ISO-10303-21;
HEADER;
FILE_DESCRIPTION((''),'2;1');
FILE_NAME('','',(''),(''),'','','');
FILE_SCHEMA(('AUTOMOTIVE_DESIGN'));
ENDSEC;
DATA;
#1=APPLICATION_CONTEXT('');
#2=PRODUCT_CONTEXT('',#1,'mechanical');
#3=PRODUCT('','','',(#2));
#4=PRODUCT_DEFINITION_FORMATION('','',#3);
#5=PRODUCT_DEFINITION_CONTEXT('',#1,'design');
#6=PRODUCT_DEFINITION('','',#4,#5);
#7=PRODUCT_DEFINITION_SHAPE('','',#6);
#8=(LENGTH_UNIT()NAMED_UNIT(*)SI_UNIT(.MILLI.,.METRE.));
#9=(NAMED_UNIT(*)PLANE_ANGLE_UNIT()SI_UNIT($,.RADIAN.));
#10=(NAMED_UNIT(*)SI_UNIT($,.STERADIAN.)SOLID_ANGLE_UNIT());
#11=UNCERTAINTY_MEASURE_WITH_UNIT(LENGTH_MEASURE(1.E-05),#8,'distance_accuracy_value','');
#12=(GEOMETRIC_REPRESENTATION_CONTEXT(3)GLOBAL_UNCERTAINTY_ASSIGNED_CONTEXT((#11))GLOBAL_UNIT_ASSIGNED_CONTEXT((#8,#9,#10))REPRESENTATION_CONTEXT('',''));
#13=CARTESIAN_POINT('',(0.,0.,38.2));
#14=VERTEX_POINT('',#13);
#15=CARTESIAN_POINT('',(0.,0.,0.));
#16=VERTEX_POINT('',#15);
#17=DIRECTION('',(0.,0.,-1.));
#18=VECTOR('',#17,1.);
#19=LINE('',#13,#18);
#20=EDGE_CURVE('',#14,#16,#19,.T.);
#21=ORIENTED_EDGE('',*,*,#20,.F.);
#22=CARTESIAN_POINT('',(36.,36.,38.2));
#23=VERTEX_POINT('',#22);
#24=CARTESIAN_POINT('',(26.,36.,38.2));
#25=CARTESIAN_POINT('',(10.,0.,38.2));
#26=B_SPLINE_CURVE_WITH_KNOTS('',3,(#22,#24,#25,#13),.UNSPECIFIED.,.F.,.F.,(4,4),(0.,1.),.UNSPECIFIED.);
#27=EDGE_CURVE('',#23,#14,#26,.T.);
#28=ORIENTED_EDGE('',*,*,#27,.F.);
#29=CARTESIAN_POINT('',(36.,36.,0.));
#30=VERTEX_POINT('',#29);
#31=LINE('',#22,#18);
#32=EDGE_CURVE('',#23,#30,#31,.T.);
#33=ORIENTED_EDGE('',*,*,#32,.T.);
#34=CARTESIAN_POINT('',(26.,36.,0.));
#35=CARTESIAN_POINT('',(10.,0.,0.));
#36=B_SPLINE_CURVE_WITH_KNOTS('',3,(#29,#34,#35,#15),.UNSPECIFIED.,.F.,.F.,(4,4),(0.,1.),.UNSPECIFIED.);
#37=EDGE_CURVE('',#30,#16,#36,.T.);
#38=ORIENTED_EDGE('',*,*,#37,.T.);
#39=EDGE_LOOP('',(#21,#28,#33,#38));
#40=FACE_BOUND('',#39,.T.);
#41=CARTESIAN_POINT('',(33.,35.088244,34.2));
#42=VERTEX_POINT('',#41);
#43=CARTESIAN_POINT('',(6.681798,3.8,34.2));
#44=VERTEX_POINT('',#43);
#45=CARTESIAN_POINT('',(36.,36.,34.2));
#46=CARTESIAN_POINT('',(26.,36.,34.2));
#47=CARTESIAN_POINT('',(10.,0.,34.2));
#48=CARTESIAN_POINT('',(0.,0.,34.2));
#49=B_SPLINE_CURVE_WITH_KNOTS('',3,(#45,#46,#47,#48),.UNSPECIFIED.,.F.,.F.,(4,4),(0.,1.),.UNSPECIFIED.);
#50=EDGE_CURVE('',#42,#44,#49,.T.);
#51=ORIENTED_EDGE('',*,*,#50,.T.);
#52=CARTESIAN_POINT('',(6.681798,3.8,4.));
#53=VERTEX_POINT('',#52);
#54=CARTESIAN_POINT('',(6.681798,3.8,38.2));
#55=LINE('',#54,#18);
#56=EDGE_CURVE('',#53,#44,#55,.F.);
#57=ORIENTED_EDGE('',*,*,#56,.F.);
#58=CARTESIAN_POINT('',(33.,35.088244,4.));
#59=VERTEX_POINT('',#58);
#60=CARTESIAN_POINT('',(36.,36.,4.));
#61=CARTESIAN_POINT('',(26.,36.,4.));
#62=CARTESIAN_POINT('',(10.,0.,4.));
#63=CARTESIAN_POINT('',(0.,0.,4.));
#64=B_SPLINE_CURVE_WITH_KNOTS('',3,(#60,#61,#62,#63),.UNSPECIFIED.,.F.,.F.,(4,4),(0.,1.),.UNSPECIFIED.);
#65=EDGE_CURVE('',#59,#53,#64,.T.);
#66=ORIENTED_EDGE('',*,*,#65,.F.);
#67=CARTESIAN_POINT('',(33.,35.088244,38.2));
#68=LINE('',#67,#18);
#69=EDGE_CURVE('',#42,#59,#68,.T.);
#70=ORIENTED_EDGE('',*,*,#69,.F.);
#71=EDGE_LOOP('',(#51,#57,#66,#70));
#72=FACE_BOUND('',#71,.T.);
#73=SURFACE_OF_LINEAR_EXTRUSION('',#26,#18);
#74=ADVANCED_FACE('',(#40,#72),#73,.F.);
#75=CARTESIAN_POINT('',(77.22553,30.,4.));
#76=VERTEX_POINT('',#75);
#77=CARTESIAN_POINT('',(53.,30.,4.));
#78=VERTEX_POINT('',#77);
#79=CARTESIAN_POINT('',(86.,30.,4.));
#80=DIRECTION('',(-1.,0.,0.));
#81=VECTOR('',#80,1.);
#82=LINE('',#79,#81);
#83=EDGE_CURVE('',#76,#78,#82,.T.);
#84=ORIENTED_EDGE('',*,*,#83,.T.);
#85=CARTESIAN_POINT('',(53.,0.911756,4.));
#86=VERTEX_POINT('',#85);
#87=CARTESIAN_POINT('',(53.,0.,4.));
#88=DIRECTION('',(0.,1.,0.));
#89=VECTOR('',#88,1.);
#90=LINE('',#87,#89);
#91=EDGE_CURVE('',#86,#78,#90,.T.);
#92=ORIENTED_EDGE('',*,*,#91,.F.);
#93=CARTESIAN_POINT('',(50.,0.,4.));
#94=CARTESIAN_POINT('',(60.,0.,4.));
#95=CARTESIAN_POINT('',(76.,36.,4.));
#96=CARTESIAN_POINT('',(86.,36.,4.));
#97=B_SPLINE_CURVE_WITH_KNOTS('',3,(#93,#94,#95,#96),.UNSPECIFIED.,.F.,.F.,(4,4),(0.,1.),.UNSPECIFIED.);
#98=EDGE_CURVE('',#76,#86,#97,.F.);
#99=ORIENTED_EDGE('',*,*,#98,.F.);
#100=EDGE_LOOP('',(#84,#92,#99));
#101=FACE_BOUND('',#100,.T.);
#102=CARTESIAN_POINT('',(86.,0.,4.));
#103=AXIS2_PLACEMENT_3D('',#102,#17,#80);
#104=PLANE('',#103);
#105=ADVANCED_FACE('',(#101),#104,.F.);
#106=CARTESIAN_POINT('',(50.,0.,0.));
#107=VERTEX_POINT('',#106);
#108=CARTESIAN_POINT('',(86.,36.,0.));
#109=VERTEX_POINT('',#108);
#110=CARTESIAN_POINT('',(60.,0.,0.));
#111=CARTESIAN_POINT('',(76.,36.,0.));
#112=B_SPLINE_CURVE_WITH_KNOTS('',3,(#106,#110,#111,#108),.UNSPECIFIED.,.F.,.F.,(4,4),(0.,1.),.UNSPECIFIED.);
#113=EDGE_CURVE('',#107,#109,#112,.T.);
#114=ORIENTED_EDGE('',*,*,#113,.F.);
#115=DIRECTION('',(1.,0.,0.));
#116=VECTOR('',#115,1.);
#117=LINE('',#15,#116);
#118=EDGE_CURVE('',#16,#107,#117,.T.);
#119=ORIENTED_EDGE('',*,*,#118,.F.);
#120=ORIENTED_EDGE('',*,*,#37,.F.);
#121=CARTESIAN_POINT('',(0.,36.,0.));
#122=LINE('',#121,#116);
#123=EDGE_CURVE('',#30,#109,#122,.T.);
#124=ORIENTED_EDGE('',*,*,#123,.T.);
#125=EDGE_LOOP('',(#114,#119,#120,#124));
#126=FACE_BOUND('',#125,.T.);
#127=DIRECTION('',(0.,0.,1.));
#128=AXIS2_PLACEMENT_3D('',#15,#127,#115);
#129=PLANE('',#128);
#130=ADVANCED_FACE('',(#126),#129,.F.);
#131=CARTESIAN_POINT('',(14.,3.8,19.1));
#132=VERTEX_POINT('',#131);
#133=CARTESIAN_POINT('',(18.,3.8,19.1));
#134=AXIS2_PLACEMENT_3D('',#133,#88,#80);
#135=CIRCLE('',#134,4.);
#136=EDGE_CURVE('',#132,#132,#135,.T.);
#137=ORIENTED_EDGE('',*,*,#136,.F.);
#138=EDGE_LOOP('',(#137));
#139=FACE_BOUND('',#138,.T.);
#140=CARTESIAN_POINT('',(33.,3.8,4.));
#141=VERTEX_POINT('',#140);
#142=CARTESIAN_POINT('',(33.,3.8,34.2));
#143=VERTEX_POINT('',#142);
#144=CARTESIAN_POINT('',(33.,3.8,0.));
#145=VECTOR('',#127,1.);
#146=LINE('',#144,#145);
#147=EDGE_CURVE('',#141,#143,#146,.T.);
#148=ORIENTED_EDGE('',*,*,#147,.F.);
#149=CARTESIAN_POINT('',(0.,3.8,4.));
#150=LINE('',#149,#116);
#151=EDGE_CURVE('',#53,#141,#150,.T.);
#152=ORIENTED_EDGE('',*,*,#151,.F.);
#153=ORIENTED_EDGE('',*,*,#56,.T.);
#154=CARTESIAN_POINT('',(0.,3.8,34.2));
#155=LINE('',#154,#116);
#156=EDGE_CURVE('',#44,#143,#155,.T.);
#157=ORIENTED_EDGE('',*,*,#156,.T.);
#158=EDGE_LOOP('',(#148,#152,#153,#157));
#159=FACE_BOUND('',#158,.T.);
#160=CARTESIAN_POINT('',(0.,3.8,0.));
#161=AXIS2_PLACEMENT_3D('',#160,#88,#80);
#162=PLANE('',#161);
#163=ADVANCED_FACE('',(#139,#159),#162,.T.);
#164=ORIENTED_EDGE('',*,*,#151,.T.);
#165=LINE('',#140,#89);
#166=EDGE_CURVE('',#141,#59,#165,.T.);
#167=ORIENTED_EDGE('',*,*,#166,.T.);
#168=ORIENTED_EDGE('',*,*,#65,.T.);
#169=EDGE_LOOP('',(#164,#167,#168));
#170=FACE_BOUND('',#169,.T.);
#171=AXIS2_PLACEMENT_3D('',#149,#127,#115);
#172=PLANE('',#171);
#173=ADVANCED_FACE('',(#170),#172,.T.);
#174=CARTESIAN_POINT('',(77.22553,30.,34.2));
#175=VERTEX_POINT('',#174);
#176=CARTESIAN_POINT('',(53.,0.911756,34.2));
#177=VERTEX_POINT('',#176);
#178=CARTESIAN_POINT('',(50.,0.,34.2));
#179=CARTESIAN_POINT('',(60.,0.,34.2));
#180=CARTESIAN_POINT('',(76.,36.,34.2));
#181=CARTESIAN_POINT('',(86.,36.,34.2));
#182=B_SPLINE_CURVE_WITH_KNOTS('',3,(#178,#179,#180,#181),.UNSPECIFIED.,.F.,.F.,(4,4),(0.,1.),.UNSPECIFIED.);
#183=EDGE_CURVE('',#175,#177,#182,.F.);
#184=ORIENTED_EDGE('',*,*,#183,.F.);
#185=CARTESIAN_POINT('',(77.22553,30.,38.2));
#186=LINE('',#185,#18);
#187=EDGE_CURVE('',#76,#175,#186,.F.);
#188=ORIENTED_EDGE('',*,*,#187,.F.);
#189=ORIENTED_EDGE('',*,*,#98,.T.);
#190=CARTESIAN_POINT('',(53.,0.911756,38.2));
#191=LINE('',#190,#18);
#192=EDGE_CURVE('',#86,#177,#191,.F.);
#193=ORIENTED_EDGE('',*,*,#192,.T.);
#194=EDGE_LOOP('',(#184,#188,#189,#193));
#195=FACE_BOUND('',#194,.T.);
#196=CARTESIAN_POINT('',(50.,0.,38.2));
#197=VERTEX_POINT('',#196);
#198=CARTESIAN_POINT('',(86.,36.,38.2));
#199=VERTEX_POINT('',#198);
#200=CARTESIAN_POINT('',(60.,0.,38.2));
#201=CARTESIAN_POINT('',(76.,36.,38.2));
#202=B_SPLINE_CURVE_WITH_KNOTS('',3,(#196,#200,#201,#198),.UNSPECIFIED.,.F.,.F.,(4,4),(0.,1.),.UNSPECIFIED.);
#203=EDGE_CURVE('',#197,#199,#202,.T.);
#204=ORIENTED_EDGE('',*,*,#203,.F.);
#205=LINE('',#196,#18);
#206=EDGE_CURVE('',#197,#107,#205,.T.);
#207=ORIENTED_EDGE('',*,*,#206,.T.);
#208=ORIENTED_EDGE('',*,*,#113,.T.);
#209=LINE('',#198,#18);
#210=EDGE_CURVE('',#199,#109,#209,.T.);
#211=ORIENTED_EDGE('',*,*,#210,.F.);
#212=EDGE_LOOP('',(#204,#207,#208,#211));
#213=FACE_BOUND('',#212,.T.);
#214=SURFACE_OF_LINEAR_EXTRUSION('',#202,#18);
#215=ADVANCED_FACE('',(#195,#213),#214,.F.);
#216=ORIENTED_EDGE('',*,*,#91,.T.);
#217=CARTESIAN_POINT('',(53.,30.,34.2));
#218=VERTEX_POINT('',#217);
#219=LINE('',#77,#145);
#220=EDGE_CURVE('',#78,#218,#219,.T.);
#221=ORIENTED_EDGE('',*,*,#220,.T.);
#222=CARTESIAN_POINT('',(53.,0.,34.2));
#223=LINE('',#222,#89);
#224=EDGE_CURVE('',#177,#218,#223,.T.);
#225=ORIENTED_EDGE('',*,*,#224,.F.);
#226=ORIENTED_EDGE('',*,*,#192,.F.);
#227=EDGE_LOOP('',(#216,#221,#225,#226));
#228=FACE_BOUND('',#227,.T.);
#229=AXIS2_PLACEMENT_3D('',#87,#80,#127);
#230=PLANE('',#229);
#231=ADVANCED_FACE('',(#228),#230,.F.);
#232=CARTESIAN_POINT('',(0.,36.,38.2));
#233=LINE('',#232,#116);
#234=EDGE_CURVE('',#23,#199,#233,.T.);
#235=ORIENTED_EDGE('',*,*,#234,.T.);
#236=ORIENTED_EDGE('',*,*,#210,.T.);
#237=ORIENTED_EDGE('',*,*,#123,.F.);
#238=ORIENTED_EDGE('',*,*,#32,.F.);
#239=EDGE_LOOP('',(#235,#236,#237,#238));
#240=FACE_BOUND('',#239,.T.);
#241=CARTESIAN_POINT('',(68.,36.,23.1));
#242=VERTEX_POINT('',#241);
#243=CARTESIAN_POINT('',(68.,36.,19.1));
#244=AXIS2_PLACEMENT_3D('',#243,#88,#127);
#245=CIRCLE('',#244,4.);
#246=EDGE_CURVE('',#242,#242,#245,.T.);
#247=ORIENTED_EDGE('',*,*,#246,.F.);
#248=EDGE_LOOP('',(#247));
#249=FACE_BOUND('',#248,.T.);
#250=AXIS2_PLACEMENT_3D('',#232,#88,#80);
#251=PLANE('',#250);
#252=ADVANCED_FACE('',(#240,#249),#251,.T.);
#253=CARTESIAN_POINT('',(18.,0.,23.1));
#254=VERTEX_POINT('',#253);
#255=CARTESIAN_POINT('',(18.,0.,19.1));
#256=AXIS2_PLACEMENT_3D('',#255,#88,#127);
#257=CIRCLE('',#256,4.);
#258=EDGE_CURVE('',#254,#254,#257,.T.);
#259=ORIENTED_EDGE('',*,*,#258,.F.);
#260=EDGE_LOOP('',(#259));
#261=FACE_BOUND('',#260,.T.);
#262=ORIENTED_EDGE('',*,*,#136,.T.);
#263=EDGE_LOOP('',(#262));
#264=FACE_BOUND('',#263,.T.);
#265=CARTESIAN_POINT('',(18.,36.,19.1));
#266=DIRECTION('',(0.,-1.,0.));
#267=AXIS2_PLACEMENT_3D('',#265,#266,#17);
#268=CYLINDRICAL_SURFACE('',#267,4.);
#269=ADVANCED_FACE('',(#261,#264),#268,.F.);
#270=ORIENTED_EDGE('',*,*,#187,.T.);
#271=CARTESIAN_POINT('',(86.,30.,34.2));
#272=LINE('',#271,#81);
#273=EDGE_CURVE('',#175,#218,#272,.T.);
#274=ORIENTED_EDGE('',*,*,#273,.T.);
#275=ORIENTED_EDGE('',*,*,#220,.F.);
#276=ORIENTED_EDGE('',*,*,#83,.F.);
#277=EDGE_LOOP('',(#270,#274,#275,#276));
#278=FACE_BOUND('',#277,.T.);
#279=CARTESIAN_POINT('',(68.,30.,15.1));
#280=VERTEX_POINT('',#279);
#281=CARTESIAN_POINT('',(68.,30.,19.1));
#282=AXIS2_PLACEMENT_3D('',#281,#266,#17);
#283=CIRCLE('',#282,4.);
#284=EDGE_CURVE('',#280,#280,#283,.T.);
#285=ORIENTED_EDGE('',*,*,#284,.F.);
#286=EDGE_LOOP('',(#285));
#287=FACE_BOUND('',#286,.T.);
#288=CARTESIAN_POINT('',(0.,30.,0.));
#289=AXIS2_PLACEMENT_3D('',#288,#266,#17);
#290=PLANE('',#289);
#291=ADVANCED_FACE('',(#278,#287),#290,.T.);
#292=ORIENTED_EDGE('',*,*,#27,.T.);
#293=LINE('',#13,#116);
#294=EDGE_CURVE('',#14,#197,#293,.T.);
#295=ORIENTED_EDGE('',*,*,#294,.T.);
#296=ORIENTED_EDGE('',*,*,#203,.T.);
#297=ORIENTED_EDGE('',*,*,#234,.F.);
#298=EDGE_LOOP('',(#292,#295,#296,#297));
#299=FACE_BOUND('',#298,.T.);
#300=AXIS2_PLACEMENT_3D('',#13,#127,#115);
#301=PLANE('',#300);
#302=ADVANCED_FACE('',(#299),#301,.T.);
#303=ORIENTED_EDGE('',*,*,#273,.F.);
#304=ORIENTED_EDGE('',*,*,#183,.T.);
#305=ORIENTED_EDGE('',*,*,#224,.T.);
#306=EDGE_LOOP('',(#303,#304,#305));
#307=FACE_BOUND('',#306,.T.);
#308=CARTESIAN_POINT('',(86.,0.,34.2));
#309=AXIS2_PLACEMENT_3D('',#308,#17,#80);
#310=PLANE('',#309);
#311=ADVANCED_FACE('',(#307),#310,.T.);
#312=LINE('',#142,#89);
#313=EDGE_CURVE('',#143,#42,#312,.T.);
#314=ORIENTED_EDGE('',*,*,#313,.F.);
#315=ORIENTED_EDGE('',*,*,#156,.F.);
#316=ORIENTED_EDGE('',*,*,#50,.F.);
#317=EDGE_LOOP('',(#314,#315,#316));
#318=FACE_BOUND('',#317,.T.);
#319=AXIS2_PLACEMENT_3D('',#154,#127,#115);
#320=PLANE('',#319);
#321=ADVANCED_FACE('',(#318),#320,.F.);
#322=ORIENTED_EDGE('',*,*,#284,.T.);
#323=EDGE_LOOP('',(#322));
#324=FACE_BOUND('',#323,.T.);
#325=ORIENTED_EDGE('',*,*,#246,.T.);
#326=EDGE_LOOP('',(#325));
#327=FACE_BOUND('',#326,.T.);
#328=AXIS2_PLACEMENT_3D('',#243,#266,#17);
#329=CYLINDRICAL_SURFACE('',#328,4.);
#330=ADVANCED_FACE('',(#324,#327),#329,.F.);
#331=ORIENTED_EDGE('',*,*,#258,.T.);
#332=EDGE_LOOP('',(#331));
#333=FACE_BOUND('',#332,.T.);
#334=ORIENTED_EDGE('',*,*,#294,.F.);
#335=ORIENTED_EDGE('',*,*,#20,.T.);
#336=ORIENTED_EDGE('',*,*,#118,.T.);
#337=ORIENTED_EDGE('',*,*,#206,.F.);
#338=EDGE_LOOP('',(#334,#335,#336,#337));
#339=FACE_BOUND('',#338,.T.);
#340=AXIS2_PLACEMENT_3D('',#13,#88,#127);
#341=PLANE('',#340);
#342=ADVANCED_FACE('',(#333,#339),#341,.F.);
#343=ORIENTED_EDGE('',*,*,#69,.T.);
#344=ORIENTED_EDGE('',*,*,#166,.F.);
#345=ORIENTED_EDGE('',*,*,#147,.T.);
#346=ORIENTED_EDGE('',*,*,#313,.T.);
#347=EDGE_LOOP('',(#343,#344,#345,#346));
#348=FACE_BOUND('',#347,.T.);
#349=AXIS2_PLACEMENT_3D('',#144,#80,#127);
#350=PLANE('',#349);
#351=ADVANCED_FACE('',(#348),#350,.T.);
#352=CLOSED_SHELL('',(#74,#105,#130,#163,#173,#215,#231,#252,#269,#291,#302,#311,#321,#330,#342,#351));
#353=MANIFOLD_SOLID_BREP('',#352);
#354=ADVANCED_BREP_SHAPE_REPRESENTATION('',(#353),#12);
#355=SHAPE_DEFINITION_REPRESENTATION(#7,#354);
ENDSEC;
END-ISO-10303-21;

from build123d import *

# Parameters (mm, degrees)
SKETCH1_W           = 86
SKETCH1_H           = 36
BOSS_EXTRUDE1_DEPTH = 38.2
CUT_EXTRUDE2_DEPTH  = 101.753362227
SKETCH3_R           = 4
CUT_EXTRUDE5_DEPTH  = 101.753362386
SKETCH3_9_R         = 4
CUT_EXTRUDE7_DEPTH  = 101.753362386
SKETCH6_W           = 33
SKETCH6_H           = 30.2
CUT_EXTRUDE8_DEPTH  = 32.2
CUT_EXTRUDE9_START  = -6
SKETCH6_8_W         = 33
SKETCH6_8_H         = 30.2
CUT_EXTRUDE9_DEPTH  = 95.753362386


with BuildPart() as part:
    # Sketch1 → Boss-Extrude1 (new body)
    with BuildSketch(Plane.XY):
        with Locations((43, 18)):
            Rectangle(SKETCH1_W, SKETCH1_H)
    extrude(amount=BOSS_EXTRUDE1_DEPTH)

    # Sketch2 → Cut-Extrude2 (cut, through all)
    with BuildSketch(Plane.XY):
        with BuildLine():
            Line((86, 36), (86, 0))
            Line((86, 0), (50, 0))
            add(Edge.make_bspline(
                [(50, 0), (60, 0), (76, 36), (86, 36)],
                knots=[0, 0, 0, 0, 1, 1, 1, 1], degree=3))
        make_face()
        with BuildLine():
            Line((36, 36), (0, 36))
            Line((0, 36), (0, 0))
            add(Edge.make_bspline(
                [(36, 36), (26, 36), (10, 0), (0, 0)],
                knots=[0, 0, 0, 0, 1, 1, 1, 1], degree=3))
        make_face()
    extrude(amount=CUT_EXTRUDE2_DEPTH, mode=Mode.SUBTRACT)

    # Sketch3 → Cut-Extrude5 (cut, through all)
    with BuildSketch(Plane(origin=(0, 0, 0), x_dir=(1, 0, 0), z_dir=(0, 1, 0))):
        with Locations((18, -19.1)):
            Circle(SKETCH3_R)
    extrude(amount=CUT_EXTRUDE5_DEPTH, mode=Mode.SUBTRACT)

    # Sketch3<9> → Cut-Extrude7 (cut, through all)
    with BuildSketch(Plane(origin=(0, 0, 0), x_dir=(1, 0, 0), z_dir=(0, 1, 0))):
        with Locations((68, -19.1)):
            Circle(SKETCH3_9_R)
    extrude(amount=CUT_EXTRUDE7_DEPTH, mode=Mode.SUBTRACT)

    # Sketch6 → Cut-Extrude8 (cut)
    with BuildSketch(Plane(origin=(0, 36, 0), x_dir=(1, 0, 0), z_dir=(0, 1, 0))):
        with Locations((16.5, -19.1)):
            Rectangle(SKETCH6_W, SKETCH6_H)
    extrude(amount=-CUT_EXTRUDE8_DEPTH, mode=Mode.SUBTRACT)

    # Sketch6<8> → Cut-Extrude9 (cut, through all)
    with BuildSketch(Plane(origin=(0, 36, 0), x_dir=(1, 0, 0), z_dir=(0, 1, 0)).offset(CUT_EXTRUDE9_START)):
        with Locations((69.5, -19.1)):
            Rectangle(SKETCH6_8_W, SKETCH6_8_H)
    extrude(amount=-CUT_EXTRUDE9_DEPTH, mode=Mode.SUBTRACT)


solid = part.part
